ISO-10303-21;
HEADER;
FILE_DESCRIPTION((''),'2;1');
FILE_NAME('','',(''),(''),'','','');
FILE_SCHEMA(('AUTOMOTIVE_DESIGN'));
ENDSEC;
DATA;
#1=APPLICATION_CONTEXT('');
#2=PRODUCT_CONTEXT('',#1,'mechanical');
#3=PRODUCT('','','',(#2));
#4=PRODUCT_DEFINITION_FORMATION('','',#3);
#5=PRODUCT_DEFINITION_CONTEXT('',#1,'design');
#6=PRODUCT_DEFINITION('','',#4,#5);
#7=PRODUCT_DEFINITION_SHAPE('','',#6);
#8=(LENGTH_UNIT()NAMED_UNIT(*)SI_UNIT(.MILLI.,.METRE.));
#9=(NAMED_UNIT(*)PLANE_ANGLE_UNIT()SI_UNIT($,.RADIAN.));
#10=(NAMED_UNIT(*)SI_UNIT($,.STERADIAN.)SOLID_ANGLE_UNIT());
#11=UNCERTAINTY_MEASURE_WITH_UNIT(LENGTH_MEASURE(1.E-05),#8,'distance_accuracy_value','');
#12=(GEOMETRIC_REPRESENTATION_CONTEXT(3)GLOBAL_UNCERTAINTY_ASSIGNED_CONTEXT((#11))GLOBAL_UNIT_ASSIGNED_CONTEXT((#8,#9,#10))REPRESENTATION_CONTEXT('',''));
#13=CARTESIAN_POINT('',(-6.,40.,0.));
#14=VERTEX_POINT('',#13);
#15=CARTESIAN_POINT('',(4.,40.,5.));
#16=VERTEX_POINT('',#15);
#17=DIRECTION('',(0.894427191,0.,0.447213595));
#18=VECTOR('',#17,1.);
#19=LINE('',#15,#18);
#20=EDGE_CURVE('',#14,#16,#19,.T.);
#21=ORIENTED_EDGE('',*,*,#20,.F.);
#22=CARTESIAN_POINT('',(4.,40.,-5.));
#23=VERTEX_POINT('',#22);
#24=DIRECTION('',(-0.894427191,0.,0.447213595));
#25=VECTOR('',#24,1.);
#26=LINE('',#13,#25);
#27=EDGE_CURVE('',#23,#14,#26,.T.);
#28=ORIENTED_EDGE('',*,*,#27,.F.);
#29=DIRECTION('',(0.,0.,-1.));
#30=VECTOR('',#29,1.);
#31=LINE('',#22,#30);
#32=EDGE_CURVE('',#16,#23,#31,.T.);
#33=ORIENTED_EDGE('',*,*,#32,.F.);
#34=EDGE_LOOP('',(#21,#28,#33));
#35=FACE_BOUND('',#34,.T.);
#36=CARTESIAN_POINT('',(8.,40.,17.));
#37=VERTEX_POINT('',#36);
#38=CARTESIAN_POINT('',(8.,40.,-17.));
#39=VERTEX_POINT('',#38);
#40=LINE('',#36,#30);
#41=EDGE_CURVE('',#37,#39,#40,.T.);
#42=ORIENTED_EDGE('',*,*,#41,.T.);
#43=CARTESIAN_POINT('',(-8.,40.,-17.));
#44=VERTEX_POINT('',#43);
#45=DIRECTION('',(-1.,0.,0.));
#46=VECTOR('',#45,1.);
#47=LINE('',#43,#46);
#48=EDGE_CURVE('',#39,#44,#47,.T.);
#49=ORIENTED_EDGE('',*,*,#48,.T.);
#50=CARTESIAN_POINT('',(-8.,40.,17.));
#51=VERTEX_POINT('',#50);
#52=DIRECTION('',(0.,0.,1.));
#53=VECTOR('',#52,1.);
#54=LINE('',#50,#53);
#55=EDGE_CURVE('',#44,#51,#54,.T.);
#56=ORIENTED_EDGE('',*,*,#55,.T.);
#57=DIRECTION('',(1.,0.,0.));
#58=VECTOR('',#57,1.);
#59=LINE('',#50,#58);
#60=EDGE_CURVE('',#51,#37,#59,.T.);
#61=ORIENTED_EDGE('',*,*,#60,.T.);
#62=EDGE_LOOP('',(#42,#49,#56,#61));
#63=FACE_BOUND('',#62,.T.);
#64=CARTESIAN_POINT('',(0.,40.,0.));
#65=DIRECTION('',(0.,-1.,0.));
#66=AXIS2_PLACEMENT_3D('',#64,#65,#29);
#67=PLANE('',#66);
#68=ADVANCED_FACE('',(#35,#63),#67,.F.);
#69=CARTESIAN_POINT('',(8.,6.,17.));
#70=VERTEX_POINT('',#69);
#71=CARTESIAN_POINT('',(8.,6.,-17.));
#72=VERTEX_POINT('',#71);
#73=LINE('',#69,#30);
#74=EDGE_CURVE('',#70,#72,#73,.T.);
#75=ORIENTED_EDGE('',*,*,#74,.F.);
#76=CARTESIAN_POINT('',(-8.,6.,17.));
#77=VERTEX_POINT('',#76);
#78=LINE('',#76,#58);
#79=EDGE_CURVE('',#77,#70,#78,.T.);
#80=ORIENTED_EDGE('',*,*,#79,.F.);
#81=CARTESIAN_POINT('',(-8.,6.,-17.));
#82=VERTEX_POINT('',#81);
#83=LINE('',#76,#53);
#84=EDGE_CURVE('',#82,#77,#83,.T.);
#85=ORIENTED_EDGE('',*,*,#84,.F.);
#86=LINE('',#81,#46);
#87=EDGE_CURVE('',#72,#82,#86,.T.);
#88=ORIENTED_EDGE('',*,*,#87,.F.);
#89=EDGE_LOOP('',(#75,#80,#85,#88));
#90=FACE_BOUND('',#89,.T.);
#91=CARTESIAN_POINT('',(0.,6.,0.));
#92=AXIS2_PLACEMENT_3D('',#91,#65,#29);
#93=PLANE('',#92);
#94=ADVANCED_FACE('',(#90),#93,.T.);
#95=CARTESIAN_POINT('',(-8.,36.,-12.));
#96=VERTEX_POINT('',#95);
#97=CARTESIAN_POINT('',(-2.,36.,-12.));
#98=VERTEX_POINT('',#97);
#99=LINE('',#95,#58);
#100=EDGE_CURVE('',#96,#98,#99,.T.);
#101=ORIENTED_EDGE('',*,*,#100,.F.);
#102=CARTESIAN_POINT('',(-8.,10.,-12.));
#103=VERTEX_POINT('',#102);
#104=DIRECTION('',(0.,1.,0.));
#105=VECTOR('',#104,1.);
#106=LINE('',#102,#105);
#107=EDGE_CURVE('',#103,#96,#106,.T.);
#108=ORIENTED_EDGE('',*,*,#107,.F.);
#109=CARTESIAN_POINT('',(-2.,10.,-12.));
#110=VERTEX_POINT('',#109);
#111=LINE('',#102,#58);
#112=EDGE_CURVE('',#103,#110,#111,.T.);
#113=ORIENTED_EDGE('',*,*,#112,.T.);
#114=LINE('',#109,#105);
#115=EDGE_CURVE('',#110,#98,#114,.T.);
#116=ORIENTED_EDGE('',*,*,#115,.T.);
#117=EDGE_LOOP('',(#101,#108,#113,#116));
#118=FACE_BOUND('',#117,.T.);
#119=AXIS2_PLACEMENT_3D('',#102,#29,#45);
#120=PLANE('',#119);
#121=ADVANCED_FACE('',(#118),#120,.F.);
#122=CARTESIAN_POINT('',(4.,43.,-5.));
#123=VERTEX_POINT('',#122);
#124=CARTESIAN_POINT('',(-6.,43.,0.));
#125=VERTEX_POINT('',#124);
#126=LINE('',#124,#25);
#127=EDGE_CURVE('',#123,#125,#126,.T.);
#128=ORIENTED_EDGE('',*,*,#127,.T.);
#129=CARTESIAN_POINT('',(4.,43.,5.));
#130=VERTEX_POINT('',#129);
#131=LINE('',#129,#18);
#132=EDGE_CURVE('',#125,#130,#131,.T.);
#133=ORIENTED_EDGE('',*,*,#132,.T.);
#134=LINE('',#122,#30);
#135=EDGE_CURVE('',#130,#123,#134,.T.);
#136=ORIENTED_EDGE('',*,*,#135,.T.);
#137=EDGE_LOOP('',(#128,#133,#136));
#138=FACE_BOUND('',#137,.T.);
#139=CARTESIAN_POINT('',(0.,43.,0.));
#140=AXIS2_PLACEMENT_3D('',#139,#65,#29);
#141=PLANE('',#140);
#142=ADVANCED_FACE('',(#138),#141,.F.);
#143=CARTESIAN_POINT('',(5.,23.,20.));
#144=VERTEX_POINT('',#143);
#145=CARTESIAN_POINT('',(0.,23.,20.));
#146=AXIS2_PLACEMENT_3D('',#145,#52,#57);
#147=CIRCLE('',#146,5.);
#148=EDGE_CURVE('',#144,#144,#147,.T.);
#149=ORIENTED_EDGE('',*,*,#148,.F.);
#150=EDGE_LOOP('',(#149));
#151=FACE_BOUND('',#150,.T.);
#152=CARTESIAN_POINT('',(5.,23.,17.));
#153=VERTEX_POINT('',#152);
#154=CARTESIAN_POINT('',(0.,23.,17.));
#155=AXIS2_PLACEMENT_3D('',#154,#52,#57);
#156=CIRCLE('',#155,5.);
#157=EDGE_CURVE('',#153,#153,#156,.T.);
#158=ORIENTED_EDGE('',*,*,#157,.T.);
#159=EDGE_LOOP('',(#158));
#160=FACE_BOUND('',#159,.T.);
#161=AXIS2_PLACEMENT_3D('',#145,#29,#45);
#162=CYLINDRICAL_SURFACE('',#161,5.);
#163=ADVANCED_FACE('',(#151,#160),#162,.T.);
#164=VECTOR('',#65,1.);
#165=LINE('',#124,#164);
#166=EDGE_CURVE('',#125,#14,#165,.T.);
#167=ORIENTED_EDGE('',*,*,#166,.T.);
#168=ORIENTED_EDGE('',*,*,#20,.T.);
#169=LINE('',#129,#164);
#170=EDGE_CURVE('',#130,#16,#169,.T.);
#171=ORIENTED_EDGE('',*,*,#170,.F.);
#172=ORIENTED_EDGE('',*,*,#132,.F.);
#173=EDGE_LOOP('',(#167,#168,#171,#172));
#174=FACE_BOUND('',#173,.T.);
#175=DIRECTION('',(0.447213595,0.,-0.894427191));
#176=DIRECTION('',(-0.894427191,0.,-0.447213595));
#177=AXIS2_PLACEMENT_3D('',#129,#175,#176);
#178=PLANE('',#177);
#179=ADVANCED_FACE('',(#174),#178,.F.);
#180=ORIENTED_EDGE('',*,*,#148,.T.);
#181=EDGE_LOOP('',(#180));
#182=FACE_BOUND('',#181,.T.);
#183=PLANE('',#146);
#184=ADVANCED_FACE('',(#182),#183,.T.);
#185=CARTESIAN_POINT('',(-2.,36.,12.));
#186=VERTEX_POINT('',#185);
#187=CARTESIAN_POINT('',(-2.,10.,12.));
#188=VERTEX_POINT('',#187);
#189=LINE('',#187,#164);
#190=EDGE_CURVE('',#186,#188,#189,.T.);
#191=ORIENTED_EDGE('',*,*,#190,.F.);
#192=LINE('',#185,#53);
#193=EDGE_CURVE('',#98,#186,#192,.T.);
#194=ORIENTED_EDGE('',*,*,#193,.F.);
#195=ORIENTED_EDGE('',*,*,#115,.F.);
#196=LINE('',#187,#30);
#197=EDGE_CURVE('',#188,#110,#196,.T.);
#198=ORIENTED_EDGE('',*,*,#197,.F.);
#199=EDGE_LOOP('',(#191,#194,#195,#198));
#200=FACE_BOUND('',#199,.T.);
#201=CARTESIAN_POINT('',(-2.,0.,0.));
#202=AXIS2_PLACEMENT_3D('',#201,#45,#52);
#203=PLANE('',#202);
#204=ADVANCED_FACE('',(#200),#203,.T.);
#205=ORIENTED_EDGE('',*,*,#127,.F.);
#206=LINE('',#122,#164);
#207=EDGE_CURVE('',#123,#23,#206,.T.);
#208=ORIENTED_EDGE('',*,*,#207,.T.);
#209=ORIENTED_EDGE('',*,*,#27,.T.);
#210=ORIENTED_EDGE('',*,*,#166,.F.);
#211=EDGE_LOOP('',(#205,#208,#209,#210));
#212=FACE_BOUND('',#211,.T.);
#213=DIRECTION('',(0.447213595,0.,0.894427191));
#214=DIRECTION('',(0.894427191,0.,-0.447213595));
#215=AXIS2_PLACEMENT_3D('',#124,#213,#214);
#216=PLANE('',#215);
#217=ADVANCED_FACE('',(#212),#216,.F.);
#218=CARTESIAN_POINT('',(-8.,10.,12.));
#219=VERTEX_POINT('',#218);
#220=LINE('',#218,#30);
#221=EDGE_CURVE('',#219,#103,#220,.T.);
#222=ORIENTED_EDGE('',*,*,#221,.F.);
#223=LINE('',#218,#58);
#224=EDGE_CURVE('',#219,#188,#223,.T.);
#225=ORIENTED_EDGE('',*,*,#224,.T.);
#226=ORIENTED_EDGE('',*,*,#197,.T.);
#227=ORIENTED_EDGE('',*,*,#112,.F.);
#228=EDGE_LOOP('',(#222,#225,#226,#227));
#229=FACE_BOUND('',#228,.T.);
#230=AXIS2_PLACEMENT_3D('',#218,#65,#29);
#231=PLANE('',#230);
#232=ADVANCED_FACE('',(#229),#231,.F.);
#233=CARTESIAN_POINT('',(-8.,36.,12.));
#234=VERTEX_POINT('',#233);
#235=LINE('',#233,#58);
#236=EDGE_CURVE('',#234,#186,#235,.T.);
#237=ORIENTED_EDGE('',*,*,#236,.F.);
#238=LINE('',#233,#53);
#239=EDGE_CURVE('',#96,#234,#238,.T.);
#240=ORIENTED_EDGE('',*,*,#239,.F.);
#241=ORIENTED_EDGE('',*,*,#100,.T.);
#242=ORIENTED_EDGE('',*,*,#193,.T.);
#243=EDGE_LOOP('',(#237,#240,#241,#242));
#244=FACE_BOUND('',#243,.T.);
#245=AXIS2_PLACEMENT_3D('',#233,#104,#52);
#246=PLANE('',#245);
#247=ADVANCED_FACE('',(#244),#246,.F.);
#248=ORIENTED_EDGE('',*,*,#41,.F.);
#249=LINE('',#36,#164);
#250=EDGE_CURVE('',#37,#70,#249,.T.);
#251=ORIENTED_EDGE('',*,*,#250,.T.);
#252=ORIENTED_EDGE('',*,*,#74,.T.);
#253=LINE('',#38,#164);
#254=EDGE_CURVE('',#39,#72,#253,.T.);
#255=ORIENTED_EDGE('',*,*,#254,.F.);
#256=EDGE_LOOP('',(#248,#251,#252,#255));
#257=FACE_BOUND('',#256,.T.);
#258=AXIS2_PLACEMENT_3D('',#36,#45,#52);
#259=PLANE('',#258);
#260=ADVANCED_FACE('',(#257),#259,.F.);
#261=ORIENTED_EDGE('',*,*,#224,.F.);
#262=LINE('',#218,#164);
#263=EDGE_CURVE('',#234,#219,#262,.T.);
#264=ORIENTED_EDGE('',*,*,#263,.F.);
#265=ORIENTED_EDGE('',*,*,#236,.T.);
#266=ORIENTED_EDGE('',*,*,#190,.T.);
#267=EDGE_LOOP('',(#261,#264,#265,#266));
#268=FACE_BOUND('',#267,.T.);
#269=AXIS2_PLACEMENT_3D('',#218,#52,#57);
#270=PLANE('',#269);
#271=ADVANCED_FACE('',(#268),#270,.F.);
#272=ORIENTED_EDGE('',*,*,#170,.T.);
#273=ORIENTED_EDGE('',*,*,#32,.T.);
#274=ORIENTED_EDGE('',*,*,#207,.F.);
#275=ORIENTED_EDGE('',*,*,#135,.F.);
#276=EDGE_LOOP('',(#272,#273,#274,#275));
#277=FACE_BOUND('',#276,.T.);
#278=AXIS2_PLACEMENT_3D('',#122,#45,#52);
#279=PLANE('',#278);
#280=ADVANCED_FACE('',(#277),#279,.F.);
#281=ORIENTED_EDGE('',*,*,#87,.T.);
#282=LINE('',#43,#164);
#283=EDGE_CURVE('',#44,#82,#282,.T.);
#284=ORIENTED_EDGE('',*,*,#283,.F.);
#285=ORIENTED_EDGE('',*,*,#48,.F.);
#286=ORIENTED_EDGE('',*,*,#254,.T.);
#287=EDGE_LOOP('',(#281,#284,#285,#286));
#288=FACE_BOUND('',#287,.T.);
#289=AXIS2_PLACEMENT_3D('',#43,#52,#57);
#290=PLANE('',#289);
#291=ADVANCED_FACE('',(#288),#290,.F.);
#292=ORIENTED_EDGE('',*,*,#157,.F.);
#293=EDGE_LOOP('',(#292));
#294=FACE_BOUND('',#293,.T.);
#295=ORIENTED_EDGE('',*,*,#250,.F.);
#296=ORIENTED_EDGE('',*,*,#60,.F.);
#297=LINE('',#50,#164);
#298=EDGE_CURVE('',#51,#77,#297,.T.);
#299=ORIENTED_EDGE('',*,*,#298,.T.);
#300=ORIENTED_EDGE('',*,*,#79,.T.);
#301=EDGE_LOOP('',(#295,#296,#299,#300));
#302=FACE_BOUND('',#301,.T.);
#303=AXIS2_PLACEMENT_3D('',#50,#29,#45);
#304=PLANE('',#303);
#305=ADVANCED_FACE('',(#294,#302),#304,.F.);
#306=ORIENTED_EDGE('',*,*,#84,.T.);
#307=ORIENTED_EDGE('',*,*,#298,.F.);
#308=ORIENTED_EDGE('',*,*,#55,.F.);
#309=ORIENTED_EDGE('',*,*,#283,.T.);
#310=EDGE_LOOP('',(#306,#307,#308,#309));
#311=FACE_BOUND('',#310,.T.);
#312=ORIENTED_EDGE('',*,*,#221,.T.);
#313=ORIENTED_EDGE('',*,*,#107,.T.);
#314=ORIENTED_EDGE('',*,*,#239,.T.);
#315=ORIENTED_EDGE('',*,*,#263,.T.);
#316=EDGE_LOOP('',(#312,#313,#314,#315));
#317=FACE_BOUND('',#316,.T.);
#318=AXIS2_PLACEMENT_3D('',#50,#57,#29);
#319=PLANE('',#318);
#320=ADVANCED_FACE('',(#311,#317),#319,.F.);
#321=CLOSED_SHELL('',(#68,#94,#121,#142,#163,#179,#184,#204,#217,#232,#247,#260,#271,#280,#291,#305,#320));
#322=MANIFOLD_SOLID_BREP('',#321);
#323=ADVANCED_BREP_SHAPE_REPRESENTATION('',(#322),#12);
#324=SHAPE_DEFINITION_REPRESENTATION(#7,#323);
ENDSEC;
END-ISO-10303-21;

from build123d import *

# Parameters (mm, degrees)
SKETCH1_W           = 16
SKETCH1_H           = 34
BOSS_EXTRUDE1_DEPTH = 17
SKETCH2_W           = 24
SKETCH2_H           = 26
CUT_EXTRUDE1_DEPTH  = 3
SKETCH3_R           = 5
BOSS_EXTRUDE2_DEPTH = 1.5
BOSS_EXTRUDE3_DEPTH = 1.5


with BuildPart() as part:
    # Sketch1 → Boss-Extrude1 (new, symmetric)
    with BuildSketch(Plane(origin=(0, 23, 0), x_dir=(1, 0, 0), z_dir=(0, 1, 0))):
        Rectangle(SKETCH1_W, SKETCH1_H)
    extrude(amount=BOSS_EXTRUDE1_DEPTH, both=True)

    # Sketch2 → Cut-Extrude1 (cut, symmetric)
    with BuildSketch(Plane(origin=(-5, 0, 0), x_dir=(0, 0, -1), z_dir=(1, 0, 0))):
        with Locations((0, 23)):
            Rectangle(SKETCH2_W, SKETCH2_H)
    extrude(amount=CUT_EXTRUDE1_DEPTH, both=True, mode=Mode.SUBTRACT)

    # Sketch3 → Boss-Extrude2 (add, symmetric)
    with BuildSketch(Plane.XY.offset(18.5)):
        with Locations((0, 23)):
            Circle(SKETCH3_R)
    extrude(amount=BOSS_EXTRUDE2_DEPTH, both=True)

    # Sketch4 → Boss-Extrude3 (add, symmetric)
    with BuildSketch(Plane(origin=(0, 41.5, 0), x_dir=(1, 0, 0), z_dir=(0, 1, 0))):
        Polygon((4, 5), (4, -5), (-6, 0), align=None)
    extrude(amount=BOSS_EXTRUDE3_DEPTH, both=True)


solid = part.part
